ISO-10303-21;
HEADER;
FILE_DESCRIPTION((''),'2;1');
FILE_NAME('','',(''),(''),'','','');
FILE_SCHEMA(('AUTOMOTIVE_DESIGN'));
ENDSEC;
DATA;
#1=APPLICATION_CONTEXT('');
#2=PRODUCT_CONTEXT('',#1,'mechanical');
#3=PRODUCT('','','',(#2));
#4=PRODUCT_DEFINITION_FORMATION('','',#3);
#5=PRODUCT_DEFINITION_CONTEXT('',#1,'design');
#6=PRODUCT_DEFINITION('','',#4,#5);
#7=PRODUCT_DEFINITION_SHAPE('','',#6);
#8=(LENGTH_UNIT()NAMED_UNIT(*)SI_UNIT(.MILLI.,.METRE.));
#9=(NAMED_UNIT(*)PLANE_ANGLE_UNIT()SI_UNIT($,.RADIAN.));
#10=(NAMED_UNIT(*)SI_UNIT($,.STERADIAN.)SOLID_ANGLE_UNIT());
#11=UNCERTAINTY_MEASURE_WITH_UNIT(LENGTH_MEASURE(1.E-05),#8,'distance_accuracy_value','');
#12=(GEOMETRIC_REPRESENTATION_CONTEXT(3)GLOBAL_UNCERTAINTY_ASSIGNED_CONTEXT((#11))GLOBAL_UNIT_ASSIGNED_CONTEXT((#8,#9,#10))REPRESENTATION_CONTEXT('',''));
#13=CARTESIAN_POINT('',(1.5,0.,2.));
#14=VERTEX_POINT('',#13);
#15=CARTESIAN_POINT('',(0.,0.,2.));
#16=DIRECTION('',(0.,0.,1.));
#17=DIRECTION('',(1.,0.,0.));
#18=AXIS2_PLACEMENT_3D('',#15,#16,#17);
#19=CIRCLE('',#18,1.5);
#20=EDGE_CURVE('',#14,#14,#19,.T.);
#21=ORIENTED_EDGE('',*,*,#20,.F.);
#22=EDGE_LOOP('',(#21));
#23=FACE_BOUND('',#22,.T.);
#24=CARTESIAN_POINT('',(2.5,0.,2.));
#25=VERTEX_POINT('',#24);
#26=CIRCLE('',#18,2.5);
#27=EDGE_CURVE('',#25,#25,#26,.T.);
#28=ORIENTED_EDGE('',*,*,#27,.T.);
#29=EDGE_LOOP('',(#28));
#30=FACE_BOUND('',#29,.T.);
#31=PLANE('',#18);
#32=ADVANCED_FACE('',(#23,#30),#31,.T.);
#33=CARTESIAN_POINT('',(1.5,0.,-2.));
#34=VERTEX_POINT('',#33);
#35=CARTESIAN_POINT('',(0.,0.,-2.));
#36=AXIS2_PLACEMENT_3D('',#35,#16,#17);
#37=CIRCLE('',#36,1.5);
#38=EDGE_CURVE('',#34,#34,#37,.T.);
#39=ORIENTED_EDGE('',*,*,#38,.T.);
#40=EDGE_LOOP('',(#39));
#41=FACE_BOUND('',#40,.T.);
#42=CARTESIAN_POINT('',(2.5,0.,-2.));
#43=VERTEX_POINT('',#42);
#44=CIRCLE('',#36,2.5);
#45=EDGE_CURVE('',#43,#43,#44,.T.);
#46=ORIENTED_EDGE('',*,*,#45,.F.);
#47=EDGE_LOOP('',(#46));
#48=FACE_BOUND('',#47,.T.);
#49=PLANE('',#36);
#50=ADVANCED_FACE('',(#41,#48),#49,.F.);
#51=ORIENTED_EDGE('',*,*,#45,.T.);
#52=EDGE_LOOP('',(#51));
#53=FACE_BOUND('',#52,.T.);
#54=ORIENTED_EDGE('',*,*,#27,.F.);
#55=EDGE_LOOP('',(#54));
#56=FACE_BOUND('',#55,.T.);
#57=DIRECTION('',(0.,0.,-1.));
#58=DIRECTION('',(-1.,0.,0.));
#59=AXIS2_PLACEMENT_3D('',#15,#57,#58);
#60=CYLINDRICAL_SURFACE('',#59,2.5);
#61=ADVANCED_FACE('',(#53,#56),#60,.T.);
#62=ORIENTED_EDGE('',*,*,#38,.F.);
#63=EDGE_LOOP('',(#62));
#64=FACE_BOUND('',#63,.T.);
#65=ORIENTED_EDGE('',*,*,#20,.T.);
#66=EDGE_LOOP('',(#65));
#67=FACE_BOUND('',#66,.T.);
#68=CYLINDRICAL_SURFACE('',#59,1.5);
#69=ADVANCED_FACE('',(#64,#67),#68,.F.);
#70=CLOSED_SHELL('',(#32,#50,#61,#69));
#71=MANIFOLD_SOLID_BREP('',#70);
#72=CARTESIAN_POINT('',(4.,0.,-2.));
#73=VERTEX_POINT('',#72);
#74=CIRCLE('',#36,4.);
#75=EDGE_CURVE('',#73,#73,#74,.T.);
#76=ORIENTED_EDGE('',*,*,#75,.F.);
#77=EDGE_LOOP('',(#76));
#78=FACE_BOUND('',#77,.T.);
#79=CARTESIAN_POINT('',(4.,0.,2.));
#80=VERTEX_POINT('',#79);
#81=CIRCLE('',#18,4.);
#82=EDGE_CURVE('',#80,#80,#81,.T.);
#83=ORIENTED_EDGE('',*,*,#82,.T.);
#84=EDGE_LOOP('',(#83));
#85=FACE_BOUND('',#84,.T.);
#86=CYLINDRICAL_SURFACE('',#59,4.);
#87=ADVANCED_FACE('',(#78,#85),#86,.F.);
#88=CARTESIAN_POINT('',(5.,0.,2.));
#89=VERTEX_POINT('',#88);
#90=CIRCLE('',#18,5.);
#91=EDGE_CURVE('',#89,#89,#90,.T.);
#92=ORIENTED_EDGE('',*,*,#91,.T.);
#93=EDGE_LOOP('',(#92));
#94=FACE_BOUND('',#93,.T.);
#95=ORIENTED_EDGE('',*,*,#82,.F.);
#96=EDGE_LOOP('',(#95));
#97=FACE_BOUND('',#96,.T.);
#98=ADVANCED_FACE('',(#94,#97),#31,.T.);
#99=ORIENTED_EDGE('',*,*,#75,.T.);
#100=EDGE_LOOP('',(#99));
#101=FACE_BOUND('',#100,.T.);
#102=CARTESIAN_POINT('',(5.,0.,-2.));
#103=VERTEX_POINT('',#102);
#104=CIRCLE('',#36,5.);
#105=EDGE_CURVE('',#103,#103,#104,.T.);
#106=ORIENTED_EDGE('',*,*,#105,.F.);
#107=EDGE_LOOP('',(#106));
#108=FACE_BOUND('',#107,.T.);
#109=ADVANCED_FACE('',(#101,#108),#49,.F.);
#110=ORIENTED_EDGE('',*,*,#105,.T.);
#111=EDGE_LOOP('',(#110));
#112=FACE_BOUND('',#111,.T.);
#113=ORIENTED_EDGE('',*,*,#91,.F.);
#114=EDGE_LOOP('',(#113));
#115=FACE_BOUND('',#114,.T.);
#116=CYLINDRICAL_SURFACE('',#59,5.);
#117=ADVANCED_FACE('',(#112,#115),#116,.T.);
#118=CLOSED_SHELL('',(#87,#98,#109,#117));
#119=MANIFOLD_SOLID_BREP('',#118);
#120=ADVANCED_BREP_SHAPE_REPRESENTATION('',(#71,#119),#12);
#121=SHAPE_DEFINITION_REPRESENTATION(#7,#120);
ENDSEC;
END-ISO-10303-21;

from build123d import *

# Parameters (mm, degrees)
SKETCH_1_R      = 5
SKETCH_1_R_2    = 4
EXTRUDE_1_DEPTH = 2
SKETCH_2_R      = 2.5
SKETCH_2_R_2    = 1.5
EXTRUDE_2_DEPTH = 2


with BuildPart() as part:
    # 草图1 → 凸台-拉伸1 (new, symmetric)
    with BuildSketch(Plane.XY):
        Circle(SKETCH_1_R)
        Circle(SKETCH_1_R_2, mode=Mode.SUBTRACT)
    extrude(amount=EXTRUDE_1_DEPTH, both=True)


with BuildPart() as body_2:
    # 草图2 → 凸台-拉伸2 (new, symmetric)
    with BuildSketch(Plane.XY):
        Circle(SKETCH_2_R)
        Circle(SKETCH_2_R_2, mode=Mode.SUBTRACT)
    extrude(amount=EXTRUDE_2_DEPTH, both=True)


solid = Compound([part.part, body_2.part])
